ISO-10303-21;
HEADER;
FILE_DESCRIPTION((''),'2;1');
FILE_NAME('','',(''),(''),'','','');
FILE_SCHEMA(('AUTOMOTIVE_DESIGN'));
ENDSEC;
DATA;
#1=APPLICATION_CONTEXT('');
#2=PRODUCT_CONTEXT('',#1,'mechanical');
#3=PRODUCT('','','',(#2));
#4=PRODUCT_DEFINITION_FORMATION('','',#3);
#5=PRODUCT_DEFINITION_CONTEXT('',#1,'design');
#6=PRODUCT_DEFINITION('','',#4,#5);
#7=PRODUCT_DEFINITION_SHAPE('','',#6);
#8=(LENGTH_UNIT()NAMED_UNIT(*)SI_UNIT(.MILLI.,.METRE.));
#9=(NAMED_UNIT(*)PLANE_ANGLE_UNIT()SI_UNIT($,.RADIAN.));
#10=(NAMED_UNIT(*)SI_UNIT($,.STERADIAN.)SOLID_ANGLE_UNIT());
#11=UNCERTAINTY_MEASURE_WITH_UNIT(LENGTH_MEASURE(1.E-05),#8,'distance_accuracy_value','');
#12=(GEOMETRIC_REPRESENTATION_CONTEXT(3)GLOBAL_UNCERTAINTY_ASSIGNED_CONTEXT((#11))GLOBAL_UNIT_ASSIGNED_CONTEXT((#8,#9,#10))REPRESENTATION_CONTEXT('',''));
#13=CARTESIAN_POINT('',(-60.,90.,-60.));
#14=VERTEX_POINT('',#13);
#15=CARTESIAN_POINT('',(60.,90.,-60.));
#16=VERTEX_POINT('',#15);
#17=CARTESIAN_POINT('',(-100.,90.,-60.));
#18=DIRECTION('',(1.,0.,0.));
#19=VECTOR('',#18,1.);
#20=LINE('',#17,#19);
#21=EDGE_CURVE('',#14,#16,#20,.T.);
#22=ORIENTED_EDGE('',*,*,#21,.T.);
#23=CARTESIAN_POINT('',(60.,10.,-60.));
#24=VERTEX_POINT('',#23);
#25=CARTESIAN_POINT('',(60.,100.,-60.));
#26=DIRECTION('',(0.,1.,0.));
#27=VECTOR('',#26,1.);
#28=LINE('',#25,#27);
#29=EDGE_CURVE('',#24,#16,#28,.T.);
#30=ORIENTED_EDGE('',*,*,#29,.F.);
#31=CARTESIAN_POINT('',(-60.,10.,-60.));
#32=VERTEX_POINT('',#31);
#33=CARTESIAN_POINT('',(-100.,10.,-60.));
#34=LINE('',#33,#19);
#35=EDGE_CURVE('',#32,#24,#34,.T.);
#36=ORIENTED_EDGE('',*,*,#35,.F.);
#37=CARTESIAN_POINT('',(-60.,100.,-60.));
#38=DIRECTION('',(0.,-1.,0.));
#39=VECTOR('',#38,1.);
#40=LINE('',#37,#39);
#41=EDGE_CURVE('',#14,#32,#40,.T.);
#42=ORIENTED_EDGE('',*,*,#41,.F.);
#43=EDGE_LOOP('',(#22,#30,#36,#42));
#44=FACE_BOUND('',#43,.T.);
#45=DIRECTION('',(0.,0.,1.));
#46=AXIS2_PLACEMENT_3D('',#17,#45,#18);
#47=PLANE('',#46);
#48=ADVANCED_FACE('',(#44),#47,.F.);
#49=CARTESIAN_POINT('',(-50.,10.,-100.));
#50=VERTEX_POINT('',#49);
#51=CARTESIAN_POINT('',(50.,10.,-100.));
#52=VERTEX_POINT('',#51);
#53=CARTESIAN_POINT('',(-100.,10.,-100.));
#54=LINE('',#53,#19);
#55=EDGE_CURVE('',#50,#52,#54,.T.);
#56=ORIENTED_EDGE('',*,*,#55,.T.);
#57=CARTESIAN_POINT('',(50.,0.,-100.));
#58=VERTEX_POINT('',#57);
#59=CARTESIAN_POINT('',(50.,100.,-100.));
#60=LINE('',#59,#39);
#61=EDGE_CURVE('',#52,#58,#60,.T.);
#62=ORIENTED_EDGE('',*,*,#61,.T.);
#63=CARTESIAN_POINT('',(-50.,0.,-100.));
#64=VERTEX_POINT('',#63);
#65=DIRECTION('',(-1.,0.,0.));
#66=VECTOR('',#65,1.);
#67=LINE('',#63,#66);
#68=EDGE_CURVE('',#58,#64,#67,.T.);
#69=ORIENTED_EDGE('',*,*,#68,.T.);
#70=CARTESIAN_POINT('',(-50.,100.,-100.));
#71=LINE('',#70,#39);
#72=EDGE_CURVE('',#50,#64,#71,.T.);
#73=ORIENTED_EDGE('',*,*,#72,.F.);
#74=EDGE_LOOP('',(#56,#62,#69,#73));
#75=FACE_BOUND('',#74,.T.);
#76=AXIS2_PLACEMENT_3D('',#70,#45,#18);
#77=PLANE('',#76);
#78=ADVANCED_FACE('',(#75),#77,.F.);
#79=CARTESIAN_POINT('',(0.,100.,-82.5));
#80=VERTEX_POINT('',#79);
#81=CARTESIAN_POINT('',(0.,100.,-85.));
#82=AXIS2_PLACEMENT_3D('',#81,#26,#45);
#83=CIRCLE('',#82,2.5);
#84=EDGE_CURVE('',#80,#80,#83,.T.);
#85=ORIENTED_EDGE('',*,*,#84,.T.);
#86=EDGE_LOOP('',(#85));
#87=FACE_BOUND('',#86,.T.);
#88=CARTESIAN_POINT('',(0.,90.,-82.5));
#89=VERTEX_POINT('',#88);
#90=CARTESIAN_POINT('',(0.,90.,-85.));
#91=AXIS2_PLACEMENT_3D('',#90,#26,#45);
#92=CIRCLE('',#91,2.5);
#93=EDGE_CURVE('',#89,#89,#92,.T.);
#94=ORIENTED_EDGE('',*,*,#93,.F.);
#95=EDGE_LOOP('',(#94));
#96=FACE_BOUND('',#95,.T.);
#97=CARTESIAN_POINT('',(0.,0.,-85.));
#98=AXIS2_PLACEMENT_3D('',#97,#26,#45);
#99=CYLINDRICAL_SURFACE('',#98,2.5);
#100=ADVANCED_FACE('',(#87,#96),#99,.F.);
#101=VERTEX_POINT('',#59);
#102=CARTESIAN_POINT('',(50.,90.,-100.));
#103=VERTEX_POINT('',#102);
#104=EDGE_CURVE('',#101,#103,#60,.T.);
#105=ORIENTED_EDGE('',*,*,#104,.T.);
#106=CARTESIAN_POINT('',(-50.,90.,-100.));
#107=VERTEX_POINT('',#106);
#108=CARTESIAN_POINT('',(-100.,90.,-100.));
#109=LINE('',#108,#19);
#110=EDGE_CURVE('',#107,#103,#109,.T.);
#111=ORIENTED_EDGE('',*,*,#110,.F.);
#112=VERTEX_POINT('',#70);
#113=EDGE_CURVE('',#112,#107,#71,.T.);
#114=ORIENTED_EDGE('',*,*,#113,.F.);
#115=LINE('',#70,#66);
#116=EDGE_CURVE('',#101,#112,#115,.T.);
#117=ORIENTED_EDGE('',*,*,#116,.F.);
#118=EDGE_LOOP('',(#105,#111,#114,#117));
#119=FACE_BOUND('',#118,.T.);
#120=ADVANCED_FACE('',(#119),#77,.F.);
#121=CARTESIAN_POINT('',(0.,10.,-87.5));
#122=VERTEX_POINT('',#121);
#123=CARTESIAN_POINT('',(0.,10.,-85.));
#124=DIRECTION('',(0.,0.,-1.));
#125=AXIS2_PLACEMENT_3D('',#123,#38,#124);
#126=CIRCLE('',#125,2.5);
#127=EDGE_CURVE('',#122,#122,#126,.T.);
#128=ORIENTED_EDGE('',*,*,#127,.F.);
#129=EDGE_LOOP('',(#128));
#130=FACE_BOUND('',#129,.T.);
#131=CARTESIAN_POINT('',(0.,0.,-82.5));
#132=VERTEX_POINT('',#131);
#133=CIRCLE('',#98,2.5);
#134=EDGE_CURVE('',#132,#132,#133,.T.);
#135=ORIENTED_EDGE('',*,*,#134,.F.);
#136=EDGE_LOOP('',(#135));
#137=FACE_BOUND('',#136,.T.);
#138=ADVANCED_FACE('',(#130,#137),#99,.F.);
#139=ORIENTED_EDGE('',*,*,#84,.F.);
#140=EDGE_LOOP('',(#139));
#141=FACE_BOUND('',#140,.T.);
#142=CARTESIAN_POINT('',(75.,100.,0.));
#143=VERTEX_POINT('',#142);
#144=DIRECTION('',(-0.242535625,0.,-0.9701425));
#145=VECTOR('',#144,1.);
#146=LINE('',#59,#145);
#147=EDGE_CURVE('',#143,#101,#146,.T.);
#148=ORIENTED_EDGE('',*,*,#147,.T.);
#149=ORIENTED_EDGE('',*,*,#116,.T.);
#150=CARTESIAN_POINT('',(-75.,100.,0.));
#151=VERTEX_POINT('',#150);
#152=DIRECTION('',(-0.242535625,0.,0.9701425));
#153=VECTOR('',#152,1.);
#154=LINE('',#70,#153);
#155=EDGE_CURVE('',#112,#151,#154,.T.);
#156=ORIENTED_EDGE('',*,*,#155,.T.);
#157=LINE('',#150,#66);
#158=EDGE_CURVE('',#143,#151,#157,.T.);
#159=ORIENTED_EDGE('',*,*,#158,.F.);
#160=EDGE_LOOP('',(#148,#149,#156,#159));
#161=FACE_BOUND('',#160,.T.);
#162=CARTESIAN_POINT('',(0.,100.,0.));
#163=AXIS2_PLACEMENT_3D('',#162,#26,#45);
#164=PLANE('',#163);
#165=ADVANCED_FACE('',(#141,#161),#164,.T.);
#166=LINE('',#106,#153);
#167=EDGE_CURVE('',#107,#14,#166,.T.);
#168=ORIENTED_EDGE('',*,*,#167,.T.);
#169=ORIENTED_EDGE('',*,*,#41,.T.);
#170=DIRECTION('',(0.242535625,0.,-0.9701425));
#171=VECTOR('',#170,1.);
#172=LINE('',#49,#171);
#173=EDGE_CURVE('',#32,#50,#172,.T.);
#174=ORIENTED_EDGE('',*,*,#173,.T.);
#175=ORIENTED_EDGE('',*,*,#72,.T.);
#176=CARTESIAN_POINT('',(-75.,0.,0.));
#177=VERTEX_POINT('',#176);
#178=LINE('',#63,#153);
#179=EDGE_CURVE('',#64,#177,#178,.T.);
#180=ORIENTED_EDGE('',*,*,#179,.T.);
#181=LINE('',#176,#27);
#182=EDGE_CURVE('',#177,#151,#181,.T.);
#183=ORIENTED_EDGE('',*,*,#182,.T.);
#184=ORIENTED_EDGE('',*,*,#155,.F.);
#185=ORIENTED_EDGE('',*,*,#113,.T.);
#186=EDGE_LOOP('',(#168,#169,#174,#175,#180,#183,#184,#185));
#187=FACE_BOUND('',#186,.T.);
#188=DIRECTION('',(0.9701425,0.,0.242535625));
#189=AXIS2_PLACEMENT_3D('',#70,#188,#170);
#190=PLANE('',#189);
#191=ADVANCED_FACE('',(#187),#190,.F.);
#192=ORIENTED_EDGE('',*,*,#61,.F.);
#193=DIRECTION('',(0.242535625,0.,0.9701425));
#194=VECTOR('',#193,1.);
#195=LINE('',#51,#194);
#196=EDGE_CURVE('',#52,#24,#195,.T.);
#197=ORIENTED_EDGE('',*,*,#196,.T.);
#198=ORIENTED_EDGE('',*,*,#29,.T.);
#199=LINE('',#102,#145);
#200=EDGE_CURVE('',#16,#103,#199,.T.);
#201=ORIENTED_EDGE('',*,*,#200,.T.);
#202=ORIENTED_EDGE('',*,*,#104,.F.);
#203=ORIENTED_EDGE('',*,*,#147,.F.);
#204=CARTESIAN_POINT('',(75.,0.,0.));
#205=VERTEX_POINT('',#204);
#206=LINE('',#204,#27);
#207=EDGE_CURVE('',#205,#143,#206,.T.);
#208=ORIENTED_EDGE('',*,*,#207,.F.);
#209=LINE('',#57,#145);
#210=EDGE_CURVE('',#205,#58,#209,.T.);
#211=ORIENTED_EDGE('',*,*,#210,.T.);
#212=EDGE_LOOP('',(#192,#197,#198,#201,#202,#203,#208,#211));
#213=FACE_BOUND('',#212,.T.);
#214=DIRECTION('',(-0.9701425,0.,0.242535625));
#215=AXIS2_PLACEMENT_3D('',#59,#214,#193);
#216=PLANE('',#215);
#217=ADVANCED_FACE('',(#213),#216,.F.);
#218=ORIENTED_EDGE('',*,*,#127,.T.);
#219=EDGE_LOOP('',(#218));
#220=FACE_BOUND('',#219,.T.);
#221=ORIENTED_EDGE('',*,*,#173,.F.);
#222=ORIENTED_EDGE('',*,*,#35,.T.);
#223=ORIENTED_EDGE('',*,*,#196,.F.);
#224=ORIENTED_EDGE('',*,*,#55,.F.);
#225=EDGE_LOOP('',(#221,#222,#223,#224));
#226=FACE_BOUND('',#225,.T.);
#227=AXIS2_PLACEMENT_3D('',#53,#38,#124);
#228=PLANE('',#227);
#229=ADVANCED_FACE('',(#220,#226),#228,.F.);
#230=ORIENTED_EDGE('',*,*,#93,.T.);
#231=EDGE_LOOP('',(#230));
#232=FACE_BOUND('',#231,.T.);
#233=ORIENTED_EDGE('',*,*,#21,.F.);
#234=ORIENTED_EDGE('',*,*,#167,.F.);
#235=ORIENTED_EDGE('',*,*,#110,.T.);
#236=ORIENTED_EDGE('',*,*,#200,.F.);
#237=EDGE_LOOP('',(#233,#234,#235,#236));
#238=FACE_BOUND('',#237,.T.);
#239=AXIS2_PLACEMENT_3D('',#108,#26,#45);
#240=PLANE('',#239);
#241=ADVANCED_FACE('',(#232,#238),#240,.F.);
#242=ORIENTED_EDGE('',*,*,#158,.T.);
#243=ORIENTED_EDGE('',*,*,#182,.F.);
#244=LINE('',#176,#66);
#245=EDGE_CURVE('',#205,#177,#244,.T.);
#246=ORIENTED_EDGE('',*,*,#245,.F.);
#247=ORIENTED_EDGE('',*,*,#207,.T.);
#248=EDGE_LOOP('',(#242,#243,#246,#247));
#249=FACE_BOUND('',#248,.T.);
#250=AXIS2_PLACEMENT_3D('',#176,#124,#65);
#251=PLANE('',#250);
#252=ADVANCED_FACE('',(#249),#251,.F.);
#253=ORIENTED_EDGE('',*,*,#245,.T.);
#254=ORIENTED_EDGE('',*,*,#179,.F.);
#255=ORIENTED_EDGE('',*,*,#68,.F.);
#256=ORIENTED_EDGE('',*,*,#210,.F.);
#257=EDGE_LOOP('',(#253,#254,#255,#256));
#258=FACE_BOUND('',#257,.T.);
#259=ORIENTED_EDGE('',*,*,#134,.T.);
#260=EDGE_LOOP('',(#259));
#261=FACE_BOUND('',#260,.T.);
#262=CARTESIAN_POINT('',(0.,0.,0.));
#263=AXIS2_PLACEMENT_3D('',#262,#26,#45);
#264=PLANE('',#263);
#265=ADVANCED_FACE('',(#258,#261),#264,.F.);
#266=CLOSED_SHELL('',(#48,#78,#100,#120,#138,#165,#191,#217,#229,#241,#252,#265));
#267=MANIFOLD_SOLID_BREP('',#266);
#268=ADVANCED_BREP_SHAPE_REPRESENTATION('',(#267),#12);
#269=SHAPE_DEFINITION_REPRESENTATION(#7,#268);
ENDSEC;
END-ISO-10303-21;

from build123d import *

# Parameters (mm, degrees)
EXTRUDE_1_DEPTH          = 100
CUT_EXTRUDE_2_DEPTH      = 174.205080757
CUT_EXTRUDE_2_DEPTH_BACK = 174.205080757
SKETCH_2_W               = 40
SKETCH_2_H               = 80
CUT_EXTRUDE_3_DEPTH      = 174.205080757
CUT_EXTRUDE_3_DEPTH_BACK = 174.205080757
SKETCH_3_R               = 2.5
CUT_EXTRUDE_4_DEPTH      = 174.205080757


with BuildPart() as part:
    # 草图1 → 凸台-拉伸1 (new body)
    with BuildSketch(Plane(origin=(0, 0, 0), x_dir=(1, 0, 0), z_dir=(0, 1, 0))):
        Polygon((-50, 100), (50, 100), (100, -100), (-100, -100), align=None)
    extrude(amount=EXTRUDE_1_DEPTH)

    # 草图2 → 切除-拉伸2 (cut, two sides: drawn at the far end of the back side and taken through both)
    with BuildSketch(Plane(origin=(0, 0, 0), x_dir=(0, 0, -1), z_dir=(1, 0, 0)).offset(-CUT_EXTRUDE_2_DEPTH_BACK)):
        with Locations((80, 50)):
            Rectangle(SKETCH_2_W, SKETCH_2_H)
    extrude(amount=CUT_EXTRUDE_2_DEPTH + CUT_EXTRUDE_2_DEPTH_BACK, mode=Mode.SUBTRACT)

    # 草图3 → 切除-拉伸3 (cut, two sides: drawn at the far end of the back side and taken through both)
    with BuildSketch(Plane(origin=(0, 100, 0), x_dir=(1, 0, 0), z_dir=(0, 1, 0)).offset(-CUT_EXTRUDE_3_DEPTH_BACK)):
        with Locations(Location((0, 85, 0), (0, 0, 270))):
            Circle(SKETCH_3_R)
    extrude(amount=CUT_EXTRUDE_3_DEPTH + CUT_EXTRUDE_3_DEPTH_BACK, mode=Mode.SUBTRACT)

    # 草图4 → 切除-拉伸4 (cut, through all)
    with BuildSketch(Plane(origin=(0, 100, 0), x_dir=(1, 0, 0), z_dir=(0, 1, 0))):
        Polygon((-75, 0), (75, 0), (100, -100), (-100, -100), align=None)
    extrude(amount=-CUT_EXTRUDE_4_DEPTH, mode=Mode.SUBTRACT)


solid = part.part
